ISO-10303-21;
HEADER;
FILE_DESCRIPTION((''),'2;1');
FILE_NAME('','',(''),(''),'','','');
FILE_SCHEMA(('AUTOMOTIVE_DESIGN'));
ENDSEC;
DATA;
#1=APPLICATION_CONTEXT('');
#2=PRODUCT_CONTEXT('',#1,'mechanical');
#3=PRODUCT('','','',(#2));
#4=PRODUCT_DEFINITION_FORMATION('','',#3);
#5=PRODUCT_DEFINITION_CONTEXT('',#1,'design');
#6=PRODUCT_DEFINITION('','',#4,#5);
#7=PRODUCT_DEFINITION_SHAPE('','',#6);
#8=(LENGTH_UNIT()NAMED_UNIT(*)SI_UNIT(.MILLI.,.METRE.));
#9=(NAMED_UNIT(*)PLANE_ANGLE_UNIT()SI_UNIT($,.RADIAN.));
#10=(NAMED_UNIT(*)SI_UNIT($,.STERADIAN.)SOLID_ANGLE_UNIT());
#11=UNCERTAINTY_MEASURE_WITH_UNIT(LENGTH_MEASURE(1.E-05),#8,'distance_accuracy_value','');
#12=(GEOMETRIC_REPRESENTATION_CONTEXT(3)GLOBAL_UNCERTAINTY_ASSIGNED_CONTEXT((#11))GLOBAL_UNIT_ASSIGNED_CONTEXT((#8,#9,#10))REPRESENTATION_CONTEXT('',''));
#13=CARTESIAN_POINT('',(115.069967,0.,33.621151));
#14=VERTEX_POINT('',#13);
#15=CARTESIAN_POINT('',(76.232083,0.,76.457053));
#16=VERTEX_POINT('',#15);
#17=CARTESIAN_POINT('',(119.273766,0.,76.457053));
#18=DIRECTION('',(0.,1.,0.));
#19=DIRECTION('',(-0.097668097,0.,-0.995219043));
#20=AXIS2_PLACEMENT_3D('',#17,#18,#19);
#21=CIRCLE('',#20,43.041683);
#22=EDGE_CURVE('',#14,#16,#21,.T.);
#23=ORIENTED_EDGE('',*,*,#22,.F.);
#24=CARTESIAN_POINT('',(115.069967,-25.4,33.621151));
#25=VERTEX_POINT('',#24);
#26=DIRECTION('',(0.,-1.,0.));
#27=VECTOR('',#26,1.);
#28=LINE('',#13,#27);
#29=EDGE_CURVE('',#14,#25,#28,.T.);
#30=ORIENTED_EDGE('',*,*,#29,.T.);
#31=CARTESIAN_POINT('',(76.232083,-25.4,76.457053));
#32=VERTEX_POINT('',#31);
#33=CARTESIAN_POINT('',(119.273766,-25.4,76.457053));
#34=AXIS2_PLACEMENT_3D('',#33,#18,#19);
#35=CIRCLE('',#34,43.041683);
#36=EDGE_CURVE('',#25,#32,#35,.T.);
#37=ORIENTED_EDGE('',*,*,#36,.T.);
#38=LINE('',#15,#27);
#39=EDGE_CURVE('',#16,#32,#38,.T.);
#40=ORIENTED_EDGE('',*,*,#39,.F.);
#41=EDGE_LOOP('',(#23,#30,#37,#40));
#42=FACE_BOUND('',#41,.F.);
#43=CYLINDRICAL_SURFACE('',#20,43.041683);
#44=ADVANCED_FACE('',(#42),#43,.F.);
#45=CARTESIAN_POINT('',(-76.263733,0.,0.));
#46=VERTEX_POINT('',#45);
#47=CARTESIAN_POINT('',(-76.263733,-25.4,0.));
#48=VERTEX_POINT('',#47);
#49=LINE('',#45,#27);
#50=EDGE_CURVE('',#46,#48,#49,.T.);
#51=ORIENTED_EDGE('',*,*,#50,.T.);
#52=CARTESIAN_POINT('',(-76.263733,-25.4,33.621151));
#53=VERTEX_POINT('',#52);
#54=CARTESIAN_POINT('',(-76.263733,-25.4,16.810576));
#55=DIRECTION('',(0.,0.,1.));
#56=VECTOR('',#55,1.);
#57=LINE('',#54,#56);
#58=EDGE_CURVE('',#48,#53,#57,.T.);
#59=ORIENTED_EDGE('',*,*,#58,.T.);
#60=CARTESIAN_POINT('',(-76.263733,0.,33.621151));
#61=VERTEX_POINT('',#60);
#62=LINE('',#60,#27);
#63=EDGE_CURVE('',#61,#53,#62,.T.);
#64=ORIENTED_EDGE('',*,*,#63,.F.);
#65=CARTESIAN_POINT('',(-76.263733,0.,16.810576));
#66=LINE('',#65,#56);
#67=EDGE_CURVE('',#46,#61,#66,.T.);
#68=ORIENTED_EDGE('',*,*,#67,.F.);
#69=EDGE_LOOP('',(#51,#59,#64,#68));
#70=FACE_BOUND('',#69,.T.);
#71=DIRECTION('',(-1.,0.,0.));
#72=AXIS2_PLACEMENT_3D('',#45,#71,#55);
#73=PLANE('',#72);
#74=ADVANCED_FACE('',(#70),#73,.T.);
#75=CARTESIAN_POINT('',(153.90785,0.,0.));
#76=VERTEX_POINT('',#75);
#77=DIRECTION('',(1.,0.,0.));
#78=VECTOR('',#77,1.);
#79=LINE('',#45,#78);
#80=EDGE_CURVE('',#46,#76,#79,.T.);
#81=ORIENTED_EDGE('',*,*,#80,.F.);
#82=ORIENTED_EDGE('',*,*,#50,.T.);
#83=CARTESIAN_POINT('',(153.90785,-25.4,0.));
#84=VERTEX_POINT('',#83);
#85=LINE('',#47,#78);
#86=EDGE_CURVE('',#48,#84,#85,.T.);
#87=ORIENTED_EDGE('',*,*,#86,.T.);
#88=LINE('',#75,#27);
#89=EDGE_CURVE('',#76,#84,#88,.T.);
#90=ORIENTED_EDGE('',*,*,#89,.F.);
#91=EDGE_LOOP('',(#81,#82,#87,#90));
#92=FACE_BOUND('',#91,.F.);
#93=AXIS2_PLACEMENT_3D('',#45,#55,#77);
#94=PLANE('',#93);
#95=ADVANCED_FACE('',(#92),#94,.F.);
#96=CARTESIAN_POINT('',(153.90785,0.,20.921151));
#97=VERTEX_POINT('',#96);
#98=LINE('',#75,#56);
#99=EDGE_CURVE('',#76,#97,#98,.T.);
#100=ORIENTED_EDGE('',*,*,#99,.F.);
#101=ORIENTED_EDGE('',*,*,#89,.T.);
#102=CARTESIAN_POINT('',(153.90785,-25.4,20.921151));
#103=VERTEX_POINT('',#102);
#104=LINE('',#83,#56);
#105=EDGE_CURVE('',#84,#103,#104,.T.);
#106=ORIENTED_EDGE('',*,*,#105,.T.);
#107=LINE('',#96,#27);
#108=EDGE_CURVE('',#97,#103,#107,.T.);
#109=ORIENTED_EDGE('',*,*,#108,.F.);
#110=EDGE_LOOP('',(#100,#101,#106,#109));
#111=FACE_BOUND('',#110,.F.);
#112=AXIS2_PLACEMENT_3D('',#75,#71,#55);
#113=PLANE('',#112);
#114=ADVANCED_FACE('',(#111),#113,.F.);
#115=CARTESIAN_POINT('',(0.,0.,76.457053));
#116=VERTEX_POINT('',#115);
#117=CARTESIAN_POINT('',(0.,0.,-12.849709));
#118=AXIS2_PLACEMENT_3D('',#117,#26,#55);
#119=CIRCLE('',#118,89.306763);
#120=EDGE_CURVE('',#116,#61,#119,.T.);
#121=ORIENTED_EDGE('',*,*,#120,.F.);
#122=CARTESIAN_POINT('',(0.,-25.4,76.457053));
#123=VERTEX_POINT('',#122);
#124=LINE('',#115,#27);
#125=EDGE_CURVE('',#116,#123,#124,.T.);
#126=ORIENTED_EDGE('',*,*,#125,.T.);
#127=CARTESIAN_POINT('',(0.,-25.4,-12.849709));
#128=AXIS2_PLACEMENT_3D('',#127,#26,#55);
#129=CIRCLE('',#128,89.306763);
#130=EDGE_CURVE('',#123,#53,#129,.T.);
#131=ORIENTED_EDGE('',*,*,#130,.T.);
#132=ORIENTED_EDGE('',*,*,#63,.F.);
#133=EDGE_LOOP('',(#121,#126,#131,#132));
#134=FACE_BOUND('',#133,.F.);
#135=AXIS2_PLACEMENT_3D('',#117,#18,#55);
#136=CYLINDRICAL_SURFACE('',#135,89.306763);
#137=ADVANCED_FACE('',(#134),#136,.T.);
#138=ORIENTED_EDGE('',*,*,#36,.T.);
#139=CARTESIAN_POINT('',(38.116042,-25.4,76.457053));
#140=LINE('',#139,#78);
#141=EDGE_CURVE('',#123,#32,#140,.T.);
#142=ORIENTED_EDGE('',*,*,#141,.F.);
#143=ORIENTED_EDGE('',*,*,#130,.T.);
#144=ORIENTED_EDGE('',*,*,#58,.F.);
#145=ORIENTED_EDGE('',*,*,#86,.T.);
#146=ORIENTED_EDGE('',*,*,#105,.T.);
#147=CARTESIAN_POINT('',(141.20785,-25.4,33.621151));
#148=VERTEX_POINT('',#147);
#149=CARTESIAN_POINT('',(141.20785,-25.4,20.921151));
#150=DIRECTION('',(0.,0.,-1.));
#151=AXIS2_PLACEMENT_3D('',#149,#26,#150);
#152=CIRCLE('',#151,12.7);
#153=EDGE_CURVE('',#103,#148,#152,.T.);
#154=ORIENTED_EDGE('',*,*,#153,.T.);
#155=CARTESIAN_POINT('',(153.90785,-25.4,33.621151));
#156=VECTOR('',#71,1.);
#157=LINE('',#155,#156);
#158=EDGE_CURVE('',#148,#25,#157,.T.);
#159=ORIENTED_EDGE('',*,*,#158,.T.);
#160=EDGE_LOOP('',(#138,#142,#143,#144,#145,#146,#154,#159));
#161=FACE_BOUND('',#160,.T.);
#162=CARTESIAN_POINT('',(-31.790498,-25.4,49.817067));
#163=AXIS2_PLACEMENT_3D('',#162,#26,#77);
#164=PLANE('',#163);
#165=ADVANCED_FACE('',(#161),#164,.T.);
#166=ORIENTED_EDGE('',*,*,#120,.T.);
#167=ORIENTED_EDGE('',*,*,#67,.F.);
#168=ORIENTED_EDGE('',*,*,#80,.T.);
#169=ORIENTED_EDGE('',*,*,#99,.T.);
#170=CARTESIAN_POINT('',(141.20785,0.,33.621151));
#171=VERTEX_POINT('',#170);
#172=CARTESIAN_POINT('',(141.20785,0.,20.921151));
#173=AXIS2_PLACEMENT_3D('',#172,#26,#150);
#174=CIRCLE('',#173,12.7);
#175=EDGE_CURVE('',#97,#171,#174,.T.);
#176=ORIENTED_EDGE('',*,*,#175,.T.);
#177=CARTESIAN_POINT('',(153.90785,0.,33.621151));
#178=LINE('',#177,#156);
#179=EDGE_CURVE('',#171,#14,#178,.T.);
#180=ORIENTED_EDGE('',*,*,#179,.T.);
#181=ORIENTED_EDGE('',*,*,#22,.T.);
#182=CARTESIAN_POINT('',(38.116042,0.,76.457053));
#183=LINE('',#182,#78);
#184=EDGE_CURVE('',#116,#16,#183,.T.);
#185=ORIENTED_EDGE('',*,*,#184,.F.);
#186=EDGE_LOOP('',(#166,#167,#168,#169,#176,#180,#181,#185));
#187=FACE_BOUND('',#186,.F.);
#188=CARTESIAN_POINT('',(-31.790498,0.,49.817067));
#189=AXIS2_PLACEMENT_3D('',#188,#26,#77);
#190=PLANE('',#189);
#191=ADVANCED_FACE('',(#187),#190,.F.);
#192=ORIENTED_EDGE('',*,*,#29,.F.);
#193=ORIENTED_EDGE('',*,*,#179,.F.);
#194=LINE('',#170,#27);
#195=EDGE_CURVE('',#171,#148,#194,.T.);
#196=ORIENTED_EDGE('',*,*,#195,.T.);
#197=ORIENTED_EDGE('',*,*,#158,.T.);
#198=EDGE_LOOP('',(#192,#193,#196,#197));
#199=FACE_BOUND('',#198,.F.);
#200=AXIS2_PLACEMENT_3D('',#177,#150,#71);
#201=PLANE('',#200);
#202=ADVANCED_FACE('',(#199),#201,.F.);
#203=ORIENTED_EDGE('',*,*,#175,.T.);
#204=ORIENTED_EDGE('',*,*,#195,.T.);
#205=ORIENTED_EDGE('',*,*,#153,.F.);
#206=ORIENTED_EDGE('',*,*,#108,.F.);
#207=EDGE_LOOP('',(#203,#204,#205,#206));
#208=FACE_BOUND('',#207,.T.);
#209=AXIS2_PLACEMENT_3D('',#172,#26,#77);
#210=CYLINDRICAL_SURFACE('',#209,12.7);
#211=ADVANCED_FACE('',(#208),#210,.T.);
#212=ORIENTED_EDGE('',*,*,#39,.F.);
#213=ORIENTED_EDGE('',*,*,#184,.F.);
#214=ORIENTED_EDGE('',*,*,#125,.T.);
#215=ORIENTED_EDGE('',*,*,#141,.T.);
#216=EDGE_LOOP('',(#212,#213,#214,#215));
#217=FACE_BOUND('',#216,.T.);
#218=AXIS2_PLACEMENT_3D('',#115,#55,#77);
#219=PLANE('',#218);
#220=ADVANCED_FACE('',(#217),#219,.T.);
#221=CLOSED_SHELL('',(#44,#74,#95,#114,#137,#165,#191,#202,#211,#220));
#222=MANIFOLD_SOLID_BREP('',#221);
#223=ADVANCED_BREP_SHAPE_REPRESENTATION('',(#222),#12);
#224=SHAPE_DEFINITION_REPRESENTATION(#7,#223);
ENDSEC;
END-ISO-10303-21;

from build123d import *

# Parameters (mm, degrees)
F0_W     = 76.2637332082
F0_H     = 33.6211510003
F0_W_2   = 76.2320831418
F0_H_2   = 42.8359024227
F1_DEPTH = 25.4
F2_R     = 12.7


with BuildPart() as f1:
    # F0 (on Front) → F1 (new body)
    with BuildSketch(Plane.XZ):
        with BuildLine():
            Line((-76.2637332082, 33.6211510003), (0, 33.6211510003))
            Line((0, 33.6211510003), (0, 76.4570534229))
            ThreePointArc((0, 76.4570534229), (-43.7352018951, 65.015109335), (-76.2637332082, 33.6211510003))
        make_face()
        with Locations((-38.1318666041, 16.8105755001)):
            Rectangle(F0_W, F0_H)
        with Locations((38.1160415709, 16.8105755001)):
            Rectangle(F0_W_2, F0_H)
        with Locations((38.1160415709, 55.0391022116)):
            Rectangle(F0_W_2, F0_H_2)
        Polygon((76.2320831418, 33.6211510003), (76.2320831418, 0), (153.9078503847, 0), (153.9078503847, 33.6211510003), (115.0699667633, 33.6211510003), align=None)
        with BuildLine():
            Line((76.2320831418, 76.4570534229), (76.2320831418, 33.6211510003))
            Line((76.2320831418, 33.6211510003), (115.0699667633, 33.6211510003))
            ThreePointArc((115.0699667633, 33.6211510003), (87.3870520199, 47.5464336589), (76.2320831418, 76.4570534229))
        make_face()
    extrude(amount=F1_DEPTH)

    # F2
    f2_edges = [f1.edges().sort_by_distance(p)[0] for p in [
        (153.90785, -12.7, 33.621151),
    ]]
    fillet(f2_edges, radius=F2_R)


solid = f1.part
